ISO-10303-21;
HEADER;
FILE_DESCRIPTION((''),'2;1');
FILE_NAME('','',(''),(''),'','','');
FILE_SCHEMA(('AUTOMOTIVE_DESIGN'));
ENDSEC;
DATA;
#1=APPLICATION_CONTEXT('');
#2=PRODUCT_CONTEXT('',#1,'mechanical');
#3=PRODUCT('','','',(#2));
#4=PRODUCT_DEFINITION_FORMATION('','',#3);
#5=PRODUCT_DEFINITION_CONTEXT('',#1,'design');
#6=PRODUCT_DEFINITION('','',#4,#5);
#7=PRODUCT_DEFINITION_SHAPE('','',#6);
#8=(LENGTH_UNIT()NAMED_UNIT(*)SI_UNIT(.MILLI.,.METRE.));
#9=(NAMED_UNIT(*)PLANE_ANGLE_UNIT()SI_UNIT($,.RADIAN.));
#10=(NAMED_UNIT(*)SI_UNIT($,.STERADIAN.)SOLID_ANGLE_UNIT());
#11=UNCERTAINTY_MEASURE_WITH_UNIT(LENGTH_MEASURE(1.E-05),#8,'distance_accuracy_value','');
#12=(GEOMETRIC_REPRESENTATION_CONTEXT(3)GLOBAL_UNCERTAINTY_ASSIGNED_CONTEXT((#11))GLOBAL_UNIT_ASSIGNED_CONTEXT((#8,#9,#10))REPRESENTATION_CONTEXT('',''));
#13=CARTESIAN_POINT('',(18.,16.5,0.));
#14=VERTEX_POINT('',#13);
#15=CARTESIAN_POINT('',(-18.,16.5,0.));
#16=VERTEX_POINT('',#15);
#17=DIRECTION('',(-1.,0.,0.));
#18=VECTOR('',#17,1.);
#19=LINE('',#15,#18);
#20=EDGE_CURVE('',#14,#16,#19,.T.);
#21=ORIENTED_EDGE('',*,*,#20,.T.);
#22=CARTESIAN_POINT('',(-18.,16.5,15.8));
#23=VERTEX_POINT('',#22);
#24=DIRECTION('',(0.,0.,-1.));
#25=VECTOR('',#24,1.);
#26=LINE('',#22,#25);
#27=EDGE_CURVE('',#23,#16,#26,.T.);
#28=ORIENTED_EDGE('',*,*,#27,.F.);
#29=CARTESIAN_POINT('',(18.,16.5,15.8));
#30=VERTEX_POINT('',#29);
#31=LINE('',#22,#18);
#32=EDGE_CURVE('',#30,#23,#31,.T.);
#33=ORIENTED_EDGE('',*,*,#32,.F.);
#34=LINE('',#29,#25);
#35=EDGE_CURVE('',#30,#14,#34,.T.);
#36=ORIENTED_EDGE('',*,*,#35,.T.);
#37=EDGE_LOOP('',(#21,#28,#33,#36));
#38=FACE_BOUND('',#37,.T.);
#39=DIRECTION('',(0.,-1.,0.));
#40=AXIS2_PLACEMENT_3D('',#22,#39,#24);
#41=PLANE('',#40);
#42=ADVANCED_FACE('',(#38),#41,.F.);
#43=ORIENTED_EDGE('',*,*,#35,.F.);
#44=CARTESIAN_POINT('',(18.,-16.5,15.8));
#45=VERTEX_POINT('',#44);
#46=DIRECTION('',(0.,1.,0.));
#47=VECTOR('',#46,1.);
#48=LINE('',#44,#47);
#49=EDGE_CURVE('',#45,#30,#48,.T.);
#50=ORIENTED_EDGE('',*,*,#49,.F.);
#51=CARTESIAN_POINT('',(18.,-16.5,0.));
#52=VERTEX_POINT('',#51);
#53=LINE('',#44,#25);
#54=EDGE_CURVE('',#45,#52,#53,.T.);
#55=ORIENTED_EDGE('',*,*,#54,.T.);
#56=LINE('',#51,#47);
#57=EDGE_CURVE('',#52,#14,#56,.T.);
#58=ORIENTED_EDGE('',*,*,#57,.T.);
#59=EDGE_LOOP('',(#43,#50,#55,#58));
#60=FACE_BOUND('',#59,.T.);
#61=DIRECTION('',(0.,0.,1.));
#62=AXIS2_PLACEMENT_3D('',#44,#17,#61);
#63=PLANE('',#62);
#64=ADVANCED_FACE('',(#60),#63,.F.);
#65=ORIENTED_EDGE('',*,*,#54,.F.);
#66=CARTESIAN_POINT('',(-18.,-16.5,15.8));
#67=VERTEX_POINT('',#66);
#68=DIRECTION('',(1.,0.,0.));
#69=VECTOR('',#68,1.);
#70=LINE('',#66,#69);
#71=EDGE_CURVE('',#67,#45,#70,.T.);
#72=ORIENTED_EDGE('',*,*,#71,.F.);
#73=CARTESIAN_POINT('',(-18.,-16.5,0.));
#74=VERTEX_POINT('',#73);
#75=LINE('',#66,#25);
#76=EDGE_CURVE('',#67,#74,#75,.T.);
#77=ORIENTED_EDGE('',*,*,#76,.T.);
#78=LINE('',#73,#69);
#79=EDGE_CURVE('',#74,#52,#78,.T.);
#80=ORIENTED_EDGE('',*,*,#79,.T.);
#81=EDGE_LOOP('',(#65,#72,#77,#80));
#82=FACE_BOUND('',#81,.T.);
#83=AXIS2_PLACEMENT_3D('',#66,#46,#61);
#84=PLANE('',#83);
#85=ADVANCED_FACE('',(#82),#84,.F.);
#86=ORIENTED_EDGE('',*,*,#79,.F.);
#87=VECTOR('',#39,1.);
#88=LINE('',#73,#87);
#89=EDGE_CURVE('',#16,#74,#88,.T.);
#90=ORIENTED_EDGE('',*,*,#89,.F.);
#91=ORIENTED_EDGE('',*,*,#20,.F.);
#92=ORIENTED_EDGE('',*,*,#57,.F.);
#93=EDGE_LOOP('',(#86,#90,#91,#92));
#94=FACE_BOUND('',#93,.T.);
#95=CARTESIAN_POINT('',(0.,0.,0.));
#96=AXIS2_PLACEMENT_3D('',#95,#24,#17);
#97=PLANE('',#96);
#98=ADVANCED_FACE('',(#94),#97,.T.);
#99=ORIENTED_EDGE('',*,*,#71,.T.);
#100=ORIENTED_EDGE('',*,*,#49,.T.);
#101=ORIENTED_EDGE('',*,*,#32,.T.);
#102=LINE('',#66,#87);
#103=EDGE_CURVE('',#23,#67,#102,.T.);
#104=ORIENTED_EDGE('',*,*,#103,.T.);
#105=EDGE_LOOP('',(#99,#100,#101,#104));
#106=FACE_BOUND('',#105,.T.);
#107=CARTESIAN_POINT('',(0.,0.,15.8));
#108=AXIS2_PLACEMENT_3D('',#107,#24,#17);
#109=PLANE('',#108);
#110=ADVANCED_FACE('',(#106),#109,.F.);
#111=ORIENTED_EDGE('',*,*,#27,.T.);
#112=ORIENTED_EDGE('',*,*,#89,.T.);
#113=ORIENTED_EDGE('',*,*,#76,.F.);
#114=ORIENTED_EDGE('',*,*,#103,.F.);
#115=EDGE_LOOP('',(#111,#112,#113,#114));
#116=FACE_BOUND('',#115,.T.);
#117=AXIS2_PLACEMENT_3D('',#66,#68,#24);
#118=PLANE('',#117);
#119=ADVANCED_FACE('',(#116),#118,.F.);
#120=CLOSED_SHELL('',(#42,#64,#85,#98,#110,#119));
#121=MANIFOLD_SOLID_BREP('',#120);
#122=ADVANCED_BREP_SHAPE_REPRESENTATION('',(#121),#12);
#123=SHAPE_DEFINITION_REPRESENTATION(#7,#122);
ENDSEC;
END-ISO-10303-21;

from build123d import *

# Parameters (mm, degrees)
ESBO_O1_W                = 36
ESBO_O1_H                = 33
RESSALTO_EXTRUS_O1_DEPTH = 15.8


with BuildPart() as part:
    # Esboço1 → Ressalto-extrusão1 (new body)
    with BuildSketch(Plane.XY):
        Rectangle(ESBO_O1_W, ESBO_O1_H)
    extrude(amount=RESSALTO_EXTRUS_O1_DEPTH)


solid = part.part
